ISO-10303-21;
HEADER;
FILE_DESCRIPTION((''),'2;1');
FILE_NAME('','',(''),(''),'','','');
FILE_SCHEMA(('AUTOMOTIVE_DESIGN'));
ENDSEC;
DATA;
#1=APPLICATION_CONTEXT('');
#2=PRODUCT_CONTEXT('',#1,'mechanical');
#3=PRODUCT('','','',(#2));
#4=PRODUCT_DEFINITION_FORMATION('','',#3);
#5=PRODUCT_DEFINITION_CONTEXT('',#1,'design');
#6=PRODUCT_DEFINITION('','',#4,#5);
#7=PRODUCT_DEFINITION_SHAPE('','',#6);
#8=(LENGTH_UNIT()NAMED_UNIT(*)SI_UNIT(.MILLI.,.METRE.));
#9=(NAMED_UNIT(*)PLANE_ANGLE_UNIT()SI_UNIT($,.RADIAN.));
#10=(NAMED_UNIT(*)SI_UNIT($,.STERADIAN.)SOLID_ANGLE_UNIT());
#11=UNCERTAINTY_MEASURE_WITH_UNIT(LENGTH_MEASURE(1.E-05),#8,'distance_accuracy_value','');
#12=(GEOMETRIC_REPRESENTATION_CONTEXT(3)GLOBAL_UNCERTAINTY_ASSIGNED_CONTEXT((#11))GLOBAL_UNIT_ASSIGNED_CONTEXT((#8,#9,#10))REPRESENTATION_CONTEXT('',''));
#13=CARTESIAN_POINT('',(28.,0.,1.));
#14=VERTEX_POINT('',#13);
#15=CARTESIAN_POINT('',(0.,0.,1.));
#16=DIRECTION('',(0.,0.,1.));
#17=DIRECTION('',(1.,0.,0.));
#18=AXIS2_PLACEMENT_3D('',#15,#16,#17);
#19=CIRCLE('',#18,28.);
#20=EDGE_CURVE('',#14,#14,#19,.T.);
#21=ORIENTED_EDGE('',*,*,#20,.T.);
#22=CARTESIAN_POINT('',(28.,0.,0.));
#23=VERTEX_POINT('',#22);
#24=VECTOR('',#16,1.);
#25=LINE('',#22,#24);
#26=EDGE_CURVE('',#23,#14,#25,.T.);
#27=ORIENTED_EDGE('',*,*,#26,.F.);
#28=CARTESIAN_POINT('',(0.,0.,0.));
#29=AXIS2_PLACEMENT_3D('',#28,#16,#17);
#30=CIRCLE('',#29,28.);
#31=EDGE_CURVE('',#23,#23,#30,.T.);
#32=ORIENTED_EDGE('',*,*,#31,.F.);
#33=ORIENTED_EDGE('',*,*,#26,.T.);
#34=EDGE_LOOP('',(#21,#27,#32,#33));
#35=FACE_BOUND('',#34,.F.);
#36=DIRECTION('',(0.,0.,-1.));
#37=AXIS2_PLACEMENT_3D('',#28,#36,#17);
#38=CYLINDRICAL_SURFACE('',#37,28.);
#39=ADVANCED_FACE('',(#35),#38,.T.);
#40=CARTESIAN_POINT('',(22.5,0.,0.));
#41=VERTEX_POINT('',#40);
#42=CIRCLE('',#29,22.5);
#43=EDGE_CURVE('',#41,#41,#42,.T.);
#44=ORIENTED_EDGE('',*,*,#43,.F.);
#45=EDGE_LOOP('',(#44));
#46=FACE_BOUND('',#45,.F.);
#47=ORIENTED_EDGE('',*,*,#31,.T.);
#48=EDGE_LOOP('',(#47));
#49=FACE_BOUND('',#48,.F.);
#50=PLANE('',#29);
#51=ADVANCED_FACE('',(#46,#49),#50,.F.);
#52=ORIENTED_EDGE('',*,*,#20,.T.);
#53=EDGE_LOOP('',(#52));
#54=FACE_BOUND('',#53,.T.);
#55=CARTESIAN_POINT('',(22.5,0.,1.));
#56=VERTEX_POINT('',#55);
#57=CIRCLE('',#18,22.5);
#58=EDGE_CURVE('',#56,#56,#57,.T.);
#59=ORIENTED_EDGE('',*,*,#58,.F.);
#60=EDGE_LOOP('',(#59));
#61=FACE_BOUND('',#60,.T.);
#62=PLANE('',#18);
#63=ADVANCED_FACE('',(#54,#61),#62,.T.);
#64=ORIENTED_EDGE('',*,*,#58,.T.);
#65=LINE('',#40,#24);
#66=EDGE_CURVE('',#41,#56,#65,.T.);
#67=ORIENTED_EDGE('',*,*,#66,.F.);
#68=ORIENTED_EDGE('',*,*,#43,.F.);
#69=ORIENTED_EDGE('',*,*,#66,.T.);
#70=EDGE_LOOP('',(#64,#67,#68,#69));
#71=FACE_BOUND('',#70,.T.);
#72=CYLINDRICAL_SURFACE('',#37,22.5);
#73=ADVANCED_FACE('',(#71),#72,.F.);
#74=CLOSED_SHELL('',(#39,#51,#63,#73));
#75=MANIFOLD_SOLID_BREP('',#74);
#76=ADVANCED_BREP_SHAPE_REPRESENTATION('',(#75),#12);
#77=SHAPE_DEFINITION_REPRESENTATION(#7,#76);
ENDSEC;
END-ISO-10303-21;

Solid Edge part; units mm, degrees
sketch "Sketch1" plane through (0, 0, 0) normal (0, 0, 1) x (1, 0, 0)
  circle A0 centre (0, 0) radius 22.5
  circle A1 centre (0, 0) radius 28
  dimension "D1" = 45
  dimension "D2" = 56
extrude "Protrusion1" add sketch "Sketch1" along normal blind 1
